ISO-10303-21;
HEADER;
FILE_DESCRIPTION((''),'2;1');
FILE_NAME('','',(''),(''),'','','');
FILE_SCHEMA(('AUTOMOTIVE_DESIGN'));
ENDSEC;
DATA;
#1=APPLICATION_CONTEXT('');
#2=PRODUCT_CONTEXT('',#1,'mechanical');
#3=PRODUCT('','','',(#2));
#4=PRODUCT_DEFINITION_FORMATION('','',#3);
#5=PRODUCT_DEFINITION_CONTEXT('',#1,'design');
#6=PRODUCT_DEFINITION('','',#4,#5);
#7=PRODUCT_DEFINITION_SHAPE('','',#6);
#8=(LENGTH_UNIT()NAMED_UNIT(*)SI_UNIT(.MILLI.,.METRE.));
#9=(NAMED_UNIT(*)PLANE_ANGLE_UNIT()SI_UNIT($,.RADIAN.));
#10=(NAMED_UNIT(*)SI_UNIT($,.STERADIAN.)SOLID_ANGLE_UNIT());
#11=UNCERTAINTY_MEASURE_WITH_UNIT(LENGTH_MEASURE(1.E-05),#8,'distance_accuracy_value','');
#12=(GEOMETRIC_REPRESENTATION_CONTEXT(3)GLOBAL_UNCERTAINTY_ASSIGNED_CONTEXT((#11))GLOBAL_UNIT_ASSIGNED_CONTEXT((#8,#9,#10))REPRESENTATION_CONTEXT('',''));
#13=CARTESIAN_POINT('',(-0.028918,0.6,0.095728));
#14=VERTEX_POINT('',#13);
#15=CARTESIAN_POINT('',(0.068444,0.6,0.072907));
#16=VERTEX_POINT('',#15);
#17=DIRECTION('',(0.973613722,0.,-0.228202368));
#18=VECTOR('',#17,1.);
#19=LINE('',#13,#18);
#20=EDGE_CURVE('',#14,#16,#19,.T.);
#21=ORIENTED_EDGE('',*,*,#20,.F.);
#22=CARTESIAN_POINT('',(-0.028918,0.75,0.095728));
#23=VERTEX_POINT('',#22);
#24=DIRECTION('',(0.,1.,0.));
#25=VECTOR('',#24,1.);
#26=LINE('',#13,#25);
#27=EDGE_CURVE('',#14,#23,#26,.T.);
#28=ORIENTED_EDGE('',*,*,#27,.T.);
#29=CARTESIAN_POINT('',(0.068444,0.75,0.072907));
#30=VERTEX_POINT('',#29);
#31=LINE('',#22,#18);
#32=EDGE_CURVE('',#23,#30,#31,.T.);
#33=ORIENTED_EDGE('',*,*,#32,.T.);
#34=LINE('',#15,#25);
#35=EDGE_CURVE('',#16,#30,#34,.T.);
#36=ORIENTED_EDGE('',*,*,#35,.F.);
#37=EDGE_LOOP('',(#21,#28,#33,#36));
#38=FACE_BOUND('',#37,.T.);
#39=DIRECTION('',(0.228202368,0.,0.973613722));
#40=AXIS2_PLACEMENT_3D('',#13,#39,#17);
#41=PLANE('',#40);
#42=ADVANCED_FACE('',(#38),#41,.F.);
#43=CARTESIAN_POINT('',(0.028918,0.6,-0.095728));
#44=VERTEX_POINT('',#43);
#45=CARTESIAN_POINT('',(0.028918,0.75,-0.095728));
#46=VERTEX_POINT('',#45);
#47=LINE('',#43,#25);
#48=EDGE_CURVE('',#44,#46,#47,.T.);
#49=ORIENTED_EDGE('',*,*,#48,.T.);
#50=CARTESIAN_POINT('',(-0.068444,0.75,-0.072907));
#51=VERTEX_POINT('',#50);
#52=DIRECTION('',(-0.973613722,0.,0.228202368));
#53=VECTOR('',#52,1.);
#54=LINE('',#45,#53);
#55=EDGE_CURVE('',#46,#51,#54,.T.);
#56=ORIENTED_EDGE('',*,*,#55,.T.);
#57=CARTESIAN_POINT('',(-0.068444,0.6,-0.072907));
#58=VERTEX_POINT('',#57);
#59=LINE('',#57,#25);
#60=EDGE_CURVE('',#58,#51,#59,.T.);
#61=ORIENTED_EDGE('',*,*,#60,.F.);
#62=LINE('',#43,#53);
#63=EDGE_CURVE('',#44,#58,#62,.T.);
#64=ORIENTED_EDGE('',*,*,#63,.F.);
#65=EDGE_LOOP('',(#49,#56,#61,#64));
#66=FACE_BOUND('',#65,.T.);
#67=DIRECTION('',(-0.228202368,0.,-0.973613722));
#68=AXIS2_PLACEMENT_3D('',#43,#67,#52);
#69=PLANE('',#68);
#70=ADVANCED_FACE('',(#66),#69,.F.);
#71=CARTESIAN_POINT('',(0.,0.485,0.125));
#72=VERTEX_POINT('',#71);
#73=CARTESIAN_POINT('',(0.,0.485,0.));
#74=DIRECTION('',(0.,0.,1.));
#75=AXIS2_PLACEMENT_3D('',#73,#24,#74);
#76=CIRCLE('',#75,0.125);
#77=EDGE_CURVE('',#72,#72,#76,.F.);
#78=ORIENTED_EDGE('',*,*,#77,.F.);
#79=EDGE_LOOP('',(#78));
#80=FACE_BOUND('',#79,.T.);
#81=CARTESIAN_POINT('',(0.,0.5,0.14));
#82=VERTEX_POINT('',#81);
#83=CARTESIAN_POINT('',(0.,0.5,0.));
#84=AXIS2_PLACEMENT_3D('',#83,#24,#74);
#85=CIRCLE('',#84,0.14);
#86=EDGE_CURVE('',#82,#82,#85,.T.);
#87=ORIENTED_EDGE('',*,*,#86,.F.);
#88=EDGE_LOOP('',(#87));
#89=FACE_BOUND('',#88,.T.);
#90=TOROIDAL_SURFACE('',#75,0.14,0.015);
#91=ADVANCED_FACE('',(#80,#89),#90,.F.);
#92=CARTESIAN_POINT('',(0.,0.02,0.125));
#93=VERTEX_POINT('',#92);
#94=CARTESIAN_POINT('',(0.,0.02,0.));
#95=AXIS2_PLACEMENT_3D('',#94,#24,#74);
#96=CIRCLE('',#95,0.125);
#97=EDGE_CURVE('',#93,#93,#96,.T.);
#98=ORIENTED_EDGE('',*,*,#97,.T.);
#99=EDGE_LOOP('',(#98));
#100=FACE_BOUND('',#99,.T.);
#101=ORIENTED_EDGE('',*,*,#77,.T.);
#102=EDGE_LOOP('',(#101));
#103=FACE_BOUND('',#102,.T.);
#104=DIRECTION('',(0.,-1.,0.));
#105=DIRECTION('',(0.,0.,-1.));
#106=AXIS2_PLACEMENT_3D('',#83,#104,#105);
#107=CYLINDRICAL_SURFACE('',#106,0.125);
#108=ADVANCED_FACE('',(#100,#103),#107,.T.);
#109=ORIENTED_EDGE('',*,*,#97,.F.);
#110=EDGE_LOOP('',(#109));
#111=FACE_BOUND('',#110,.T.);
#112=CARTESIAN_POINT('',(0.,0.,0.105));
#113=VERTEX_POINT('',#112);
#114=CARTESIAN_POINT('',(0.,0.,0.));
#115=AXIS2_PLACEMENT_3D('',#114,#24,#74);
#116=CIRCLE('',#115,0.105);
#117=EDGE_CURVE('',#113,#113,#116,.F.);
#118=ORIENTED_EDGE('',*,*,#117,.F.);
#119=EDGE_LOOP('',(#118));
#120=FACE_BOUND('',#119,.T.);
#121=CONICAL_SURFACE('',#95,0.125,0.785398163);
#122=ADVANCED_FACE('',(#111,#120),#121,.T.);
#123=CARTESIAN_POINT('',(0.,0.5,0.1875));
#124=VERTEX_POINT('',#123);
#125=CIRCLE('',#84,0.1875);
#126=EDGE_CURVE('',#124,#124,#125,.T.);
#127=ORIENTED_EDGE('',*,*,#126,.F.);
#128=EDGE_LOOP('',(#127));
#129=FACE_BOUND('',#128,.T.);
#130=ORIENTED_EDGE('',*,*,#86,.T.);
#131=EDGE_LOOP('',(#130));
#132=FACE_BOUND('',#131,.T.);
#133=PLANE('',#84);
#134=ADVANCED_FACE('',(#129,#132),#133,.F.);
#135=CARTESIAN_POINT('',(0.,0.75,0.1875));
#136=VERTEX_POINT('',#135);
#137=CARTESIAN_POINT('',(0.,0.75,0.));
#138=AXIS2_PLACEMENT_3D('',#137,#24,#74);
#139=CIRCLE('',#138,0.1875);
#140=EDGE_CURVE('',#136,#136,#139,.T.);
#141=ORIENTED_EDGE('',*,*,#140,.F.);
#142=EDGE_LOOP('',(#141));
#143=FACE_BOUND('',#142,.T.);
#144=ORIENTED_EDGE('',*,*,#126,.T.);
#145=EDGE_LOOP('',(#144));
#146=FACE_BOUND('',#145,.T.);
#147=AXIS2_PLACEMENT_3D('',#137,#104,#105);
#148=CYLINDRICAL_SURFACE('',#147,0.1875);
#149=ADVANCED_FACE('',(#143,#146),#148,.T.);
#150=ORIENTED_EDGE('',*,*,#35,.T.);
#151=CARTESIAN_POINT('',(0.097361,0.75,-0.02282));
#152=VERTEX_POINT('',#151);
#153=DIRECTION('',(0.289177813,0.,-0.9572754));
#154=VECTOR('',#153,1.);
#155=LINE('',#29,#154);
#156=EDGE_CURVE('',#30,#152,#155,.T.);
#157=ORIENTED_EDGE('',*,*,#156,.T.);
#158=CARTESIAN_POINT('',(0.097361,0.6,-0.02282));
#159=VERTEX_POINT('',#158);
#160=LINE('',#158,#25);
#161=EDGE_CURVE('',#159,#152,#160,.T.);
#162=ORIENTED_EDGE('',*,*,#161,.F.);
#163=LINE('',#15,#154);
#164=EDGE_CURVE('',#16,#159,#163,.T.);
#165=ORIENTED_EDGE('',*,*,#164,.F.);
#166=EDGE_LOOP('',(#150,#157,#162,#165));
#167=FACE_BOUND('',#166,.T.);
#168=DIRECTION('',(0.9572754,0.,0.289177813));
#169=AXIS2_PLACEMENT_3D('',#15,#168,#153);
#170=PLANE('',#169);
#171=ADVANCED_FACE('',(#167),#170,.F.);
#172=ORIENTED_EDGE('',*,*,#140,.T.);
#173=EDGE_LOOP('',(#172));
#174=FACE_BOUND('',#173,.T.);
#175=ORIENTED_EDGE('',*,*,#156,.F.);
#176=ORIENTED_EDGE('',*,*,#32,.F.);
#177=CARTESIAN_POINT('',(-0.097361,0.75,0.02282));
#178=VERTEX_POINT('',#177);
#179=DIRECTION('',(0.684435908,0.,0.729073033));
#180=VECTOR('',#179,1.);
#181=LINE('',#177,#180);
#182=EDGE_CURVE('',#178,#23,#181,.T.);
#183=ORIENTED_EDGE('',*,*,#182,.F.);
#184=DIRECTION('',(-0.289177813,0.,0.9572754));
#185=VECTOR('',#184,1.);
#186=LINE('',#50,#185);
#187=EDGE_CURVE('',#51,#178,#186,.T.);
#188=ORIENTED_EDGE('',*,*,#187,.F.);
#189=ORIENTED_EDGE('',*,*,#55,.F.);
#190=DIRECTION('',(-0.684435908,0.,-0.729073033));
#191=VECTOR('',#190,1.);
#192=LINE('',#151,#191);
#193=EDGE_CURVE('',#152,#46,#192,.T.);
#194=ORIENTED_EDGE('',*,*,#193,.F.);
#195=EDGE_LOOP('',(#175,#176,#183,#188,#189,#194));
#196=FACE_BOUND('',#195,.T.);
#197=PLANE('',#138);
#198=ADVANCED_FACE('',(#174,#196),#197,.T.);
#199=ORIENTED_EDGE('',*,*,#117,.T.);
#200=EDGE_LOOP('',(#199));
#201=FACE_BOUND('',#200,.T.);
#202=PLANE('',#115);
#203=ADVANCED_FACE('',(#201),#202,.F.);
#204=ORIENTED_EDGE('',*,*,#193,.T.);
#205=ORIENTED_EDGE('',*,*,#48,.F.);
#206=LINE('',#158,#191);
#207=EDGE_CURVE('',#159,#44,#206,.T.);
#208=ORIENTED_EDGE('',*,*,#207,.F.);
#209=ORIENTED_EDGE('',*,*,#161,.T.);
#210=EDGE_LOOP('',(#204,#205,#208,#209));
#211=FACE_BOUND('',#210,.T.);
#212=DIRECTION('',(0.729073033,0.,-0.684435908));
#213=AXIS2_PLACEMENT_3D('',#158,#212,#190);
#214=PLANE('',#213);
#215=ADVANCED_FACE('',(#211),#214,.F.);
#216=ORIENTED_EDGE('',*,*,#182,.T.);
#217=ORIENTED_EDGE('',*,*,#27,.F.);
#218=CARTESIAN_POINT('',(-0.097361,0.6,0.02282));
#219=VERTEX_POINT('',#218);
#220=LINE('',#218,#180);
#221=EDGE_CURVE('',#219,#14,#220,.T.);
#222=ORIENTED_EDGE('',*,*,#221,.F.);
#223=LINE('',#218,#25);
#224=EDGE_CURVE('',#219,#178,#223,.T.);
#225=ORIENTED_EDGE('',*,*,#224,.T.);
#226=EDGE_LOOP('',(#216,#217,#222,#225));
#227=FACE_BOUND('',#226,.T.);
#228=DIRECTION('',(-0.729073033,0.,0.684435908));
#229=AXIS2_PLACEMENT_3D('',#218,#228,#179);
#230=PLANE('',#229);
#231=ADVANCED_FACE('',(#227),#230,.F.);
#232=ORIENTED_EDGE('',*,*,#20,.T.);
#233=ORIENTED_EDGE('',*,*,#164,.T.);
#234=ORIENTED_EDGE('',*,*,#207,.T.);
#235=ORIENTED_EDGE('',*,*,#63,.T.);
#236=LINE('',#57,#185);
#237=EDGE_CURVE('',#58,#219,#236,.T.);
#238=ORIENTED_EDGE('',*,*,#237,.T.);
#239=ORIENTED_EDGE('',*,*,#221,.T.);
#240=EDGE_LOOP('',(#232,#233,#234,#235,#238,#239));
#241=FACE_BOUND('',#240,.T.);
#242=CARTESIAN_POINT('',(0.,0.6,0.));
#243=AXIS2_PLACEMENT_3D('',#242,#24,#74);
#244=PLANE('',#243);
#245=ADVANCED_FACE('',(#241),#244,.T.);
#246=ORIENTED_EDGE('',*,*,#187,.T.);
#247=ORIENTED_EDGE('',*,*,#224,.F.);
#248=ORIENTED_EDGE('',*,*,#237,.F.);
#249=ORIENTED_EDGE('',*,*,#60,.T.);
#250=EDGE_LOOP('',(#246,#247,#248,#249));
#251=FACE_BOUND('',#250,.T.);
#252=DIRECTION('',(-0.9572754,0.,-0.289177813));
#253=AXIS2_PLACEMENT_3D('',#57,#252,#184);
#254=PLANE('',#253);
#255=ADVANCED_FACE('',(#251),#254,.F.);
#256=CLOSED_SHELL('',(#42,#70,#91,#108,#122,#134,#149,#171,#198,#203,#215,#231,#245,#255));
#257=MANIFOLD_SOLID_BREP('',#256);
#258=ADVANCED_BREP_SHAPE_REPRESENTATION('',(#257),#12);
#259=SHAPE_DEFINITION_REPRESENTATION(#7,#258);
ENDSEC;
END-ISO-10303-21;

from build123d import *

# Parameters (mm, degrees)
SKETCH2_R           = 0.1875
BOSS_EXTRUDE2_DEPTH = 0.75
CUT_EXTRUDE1_DEPTH  = 0.15
SKETCH4_R           = 0.1875
SKETCH4_R_2         = 0.125
CUT_EXTRUDE2_DEPTH  = 0.5
CHAMFER1_SIZE       = 0.02
FILLET1_R           = 0.015


with BuildPart() as part:
    # Sketch2 → Boss-Extrude2 (new body)
    with BuildSketch(Plane(origin=(0, 0, 0), x_dir=(1, 0, 0), z_dir=(0, 1, 0))):
        with Locations(Location((0, 0, 0), (0, 0, 270))):
            Circle(SKETCH2_R)
    extrude(amount=BOSS_EXTRUDE2_DEPTH)

    # Sketch3 → Cut-Extrude1 (cut)
    with BuildSketch(Plane(origin=(0, 0.75, 0), x_dir=(1, 0, 0), z_dir=(0, 1, 0))):
        Polygon((0.068443591, -0.072907303), (0.097361372, 0.022820237), (0.028917781, 0.09572754), (-0.068443591, 0.072907303), (-0.097361372, -0.022820237), (-0.028917781, -0.09572754), align=None)
    extrude(amount=-CUT_EXTRUDE1_DEPTH, mode=Mode.SUBTRACT)

    # Sketch4 → Cut-Extrude2 (cut)
    with BuildSketch(Plane(origin=(0, 0, 0), x_dir=(1, 0, 0), z_dir=(0, 1, 0))):
        with Locations(Location((0, 0, 0), (0, 0, 270))):
            Circle(SKETCH4_R)
        with Locations(Location((0, 0, 0), (0, 0, 270))):
            Circle(SKETCH4_R_2, mode=Mode.SUBTRACT)
    extrude(amount=CUT_EXTRUDE2_DEPTH, mode=Mode.SUBTRACT)

    # Chamfer1
    chamfer1_edges = [part.edges().sort_by_distance(p)[0] for p in [
        (0, 0, -0.125),
    ]]
    chamfer(chamfer1_edges, length=CHAMFER1_SIZE)

    # Fillet1
    fillet1_edges = [part.edges().sort_by_distance(p)[0] for p in [
        (0, 0.5, -0.125),
    ]]
    fillet(fillet1_edges, radius=FILLET1_R)


solid = part.part
